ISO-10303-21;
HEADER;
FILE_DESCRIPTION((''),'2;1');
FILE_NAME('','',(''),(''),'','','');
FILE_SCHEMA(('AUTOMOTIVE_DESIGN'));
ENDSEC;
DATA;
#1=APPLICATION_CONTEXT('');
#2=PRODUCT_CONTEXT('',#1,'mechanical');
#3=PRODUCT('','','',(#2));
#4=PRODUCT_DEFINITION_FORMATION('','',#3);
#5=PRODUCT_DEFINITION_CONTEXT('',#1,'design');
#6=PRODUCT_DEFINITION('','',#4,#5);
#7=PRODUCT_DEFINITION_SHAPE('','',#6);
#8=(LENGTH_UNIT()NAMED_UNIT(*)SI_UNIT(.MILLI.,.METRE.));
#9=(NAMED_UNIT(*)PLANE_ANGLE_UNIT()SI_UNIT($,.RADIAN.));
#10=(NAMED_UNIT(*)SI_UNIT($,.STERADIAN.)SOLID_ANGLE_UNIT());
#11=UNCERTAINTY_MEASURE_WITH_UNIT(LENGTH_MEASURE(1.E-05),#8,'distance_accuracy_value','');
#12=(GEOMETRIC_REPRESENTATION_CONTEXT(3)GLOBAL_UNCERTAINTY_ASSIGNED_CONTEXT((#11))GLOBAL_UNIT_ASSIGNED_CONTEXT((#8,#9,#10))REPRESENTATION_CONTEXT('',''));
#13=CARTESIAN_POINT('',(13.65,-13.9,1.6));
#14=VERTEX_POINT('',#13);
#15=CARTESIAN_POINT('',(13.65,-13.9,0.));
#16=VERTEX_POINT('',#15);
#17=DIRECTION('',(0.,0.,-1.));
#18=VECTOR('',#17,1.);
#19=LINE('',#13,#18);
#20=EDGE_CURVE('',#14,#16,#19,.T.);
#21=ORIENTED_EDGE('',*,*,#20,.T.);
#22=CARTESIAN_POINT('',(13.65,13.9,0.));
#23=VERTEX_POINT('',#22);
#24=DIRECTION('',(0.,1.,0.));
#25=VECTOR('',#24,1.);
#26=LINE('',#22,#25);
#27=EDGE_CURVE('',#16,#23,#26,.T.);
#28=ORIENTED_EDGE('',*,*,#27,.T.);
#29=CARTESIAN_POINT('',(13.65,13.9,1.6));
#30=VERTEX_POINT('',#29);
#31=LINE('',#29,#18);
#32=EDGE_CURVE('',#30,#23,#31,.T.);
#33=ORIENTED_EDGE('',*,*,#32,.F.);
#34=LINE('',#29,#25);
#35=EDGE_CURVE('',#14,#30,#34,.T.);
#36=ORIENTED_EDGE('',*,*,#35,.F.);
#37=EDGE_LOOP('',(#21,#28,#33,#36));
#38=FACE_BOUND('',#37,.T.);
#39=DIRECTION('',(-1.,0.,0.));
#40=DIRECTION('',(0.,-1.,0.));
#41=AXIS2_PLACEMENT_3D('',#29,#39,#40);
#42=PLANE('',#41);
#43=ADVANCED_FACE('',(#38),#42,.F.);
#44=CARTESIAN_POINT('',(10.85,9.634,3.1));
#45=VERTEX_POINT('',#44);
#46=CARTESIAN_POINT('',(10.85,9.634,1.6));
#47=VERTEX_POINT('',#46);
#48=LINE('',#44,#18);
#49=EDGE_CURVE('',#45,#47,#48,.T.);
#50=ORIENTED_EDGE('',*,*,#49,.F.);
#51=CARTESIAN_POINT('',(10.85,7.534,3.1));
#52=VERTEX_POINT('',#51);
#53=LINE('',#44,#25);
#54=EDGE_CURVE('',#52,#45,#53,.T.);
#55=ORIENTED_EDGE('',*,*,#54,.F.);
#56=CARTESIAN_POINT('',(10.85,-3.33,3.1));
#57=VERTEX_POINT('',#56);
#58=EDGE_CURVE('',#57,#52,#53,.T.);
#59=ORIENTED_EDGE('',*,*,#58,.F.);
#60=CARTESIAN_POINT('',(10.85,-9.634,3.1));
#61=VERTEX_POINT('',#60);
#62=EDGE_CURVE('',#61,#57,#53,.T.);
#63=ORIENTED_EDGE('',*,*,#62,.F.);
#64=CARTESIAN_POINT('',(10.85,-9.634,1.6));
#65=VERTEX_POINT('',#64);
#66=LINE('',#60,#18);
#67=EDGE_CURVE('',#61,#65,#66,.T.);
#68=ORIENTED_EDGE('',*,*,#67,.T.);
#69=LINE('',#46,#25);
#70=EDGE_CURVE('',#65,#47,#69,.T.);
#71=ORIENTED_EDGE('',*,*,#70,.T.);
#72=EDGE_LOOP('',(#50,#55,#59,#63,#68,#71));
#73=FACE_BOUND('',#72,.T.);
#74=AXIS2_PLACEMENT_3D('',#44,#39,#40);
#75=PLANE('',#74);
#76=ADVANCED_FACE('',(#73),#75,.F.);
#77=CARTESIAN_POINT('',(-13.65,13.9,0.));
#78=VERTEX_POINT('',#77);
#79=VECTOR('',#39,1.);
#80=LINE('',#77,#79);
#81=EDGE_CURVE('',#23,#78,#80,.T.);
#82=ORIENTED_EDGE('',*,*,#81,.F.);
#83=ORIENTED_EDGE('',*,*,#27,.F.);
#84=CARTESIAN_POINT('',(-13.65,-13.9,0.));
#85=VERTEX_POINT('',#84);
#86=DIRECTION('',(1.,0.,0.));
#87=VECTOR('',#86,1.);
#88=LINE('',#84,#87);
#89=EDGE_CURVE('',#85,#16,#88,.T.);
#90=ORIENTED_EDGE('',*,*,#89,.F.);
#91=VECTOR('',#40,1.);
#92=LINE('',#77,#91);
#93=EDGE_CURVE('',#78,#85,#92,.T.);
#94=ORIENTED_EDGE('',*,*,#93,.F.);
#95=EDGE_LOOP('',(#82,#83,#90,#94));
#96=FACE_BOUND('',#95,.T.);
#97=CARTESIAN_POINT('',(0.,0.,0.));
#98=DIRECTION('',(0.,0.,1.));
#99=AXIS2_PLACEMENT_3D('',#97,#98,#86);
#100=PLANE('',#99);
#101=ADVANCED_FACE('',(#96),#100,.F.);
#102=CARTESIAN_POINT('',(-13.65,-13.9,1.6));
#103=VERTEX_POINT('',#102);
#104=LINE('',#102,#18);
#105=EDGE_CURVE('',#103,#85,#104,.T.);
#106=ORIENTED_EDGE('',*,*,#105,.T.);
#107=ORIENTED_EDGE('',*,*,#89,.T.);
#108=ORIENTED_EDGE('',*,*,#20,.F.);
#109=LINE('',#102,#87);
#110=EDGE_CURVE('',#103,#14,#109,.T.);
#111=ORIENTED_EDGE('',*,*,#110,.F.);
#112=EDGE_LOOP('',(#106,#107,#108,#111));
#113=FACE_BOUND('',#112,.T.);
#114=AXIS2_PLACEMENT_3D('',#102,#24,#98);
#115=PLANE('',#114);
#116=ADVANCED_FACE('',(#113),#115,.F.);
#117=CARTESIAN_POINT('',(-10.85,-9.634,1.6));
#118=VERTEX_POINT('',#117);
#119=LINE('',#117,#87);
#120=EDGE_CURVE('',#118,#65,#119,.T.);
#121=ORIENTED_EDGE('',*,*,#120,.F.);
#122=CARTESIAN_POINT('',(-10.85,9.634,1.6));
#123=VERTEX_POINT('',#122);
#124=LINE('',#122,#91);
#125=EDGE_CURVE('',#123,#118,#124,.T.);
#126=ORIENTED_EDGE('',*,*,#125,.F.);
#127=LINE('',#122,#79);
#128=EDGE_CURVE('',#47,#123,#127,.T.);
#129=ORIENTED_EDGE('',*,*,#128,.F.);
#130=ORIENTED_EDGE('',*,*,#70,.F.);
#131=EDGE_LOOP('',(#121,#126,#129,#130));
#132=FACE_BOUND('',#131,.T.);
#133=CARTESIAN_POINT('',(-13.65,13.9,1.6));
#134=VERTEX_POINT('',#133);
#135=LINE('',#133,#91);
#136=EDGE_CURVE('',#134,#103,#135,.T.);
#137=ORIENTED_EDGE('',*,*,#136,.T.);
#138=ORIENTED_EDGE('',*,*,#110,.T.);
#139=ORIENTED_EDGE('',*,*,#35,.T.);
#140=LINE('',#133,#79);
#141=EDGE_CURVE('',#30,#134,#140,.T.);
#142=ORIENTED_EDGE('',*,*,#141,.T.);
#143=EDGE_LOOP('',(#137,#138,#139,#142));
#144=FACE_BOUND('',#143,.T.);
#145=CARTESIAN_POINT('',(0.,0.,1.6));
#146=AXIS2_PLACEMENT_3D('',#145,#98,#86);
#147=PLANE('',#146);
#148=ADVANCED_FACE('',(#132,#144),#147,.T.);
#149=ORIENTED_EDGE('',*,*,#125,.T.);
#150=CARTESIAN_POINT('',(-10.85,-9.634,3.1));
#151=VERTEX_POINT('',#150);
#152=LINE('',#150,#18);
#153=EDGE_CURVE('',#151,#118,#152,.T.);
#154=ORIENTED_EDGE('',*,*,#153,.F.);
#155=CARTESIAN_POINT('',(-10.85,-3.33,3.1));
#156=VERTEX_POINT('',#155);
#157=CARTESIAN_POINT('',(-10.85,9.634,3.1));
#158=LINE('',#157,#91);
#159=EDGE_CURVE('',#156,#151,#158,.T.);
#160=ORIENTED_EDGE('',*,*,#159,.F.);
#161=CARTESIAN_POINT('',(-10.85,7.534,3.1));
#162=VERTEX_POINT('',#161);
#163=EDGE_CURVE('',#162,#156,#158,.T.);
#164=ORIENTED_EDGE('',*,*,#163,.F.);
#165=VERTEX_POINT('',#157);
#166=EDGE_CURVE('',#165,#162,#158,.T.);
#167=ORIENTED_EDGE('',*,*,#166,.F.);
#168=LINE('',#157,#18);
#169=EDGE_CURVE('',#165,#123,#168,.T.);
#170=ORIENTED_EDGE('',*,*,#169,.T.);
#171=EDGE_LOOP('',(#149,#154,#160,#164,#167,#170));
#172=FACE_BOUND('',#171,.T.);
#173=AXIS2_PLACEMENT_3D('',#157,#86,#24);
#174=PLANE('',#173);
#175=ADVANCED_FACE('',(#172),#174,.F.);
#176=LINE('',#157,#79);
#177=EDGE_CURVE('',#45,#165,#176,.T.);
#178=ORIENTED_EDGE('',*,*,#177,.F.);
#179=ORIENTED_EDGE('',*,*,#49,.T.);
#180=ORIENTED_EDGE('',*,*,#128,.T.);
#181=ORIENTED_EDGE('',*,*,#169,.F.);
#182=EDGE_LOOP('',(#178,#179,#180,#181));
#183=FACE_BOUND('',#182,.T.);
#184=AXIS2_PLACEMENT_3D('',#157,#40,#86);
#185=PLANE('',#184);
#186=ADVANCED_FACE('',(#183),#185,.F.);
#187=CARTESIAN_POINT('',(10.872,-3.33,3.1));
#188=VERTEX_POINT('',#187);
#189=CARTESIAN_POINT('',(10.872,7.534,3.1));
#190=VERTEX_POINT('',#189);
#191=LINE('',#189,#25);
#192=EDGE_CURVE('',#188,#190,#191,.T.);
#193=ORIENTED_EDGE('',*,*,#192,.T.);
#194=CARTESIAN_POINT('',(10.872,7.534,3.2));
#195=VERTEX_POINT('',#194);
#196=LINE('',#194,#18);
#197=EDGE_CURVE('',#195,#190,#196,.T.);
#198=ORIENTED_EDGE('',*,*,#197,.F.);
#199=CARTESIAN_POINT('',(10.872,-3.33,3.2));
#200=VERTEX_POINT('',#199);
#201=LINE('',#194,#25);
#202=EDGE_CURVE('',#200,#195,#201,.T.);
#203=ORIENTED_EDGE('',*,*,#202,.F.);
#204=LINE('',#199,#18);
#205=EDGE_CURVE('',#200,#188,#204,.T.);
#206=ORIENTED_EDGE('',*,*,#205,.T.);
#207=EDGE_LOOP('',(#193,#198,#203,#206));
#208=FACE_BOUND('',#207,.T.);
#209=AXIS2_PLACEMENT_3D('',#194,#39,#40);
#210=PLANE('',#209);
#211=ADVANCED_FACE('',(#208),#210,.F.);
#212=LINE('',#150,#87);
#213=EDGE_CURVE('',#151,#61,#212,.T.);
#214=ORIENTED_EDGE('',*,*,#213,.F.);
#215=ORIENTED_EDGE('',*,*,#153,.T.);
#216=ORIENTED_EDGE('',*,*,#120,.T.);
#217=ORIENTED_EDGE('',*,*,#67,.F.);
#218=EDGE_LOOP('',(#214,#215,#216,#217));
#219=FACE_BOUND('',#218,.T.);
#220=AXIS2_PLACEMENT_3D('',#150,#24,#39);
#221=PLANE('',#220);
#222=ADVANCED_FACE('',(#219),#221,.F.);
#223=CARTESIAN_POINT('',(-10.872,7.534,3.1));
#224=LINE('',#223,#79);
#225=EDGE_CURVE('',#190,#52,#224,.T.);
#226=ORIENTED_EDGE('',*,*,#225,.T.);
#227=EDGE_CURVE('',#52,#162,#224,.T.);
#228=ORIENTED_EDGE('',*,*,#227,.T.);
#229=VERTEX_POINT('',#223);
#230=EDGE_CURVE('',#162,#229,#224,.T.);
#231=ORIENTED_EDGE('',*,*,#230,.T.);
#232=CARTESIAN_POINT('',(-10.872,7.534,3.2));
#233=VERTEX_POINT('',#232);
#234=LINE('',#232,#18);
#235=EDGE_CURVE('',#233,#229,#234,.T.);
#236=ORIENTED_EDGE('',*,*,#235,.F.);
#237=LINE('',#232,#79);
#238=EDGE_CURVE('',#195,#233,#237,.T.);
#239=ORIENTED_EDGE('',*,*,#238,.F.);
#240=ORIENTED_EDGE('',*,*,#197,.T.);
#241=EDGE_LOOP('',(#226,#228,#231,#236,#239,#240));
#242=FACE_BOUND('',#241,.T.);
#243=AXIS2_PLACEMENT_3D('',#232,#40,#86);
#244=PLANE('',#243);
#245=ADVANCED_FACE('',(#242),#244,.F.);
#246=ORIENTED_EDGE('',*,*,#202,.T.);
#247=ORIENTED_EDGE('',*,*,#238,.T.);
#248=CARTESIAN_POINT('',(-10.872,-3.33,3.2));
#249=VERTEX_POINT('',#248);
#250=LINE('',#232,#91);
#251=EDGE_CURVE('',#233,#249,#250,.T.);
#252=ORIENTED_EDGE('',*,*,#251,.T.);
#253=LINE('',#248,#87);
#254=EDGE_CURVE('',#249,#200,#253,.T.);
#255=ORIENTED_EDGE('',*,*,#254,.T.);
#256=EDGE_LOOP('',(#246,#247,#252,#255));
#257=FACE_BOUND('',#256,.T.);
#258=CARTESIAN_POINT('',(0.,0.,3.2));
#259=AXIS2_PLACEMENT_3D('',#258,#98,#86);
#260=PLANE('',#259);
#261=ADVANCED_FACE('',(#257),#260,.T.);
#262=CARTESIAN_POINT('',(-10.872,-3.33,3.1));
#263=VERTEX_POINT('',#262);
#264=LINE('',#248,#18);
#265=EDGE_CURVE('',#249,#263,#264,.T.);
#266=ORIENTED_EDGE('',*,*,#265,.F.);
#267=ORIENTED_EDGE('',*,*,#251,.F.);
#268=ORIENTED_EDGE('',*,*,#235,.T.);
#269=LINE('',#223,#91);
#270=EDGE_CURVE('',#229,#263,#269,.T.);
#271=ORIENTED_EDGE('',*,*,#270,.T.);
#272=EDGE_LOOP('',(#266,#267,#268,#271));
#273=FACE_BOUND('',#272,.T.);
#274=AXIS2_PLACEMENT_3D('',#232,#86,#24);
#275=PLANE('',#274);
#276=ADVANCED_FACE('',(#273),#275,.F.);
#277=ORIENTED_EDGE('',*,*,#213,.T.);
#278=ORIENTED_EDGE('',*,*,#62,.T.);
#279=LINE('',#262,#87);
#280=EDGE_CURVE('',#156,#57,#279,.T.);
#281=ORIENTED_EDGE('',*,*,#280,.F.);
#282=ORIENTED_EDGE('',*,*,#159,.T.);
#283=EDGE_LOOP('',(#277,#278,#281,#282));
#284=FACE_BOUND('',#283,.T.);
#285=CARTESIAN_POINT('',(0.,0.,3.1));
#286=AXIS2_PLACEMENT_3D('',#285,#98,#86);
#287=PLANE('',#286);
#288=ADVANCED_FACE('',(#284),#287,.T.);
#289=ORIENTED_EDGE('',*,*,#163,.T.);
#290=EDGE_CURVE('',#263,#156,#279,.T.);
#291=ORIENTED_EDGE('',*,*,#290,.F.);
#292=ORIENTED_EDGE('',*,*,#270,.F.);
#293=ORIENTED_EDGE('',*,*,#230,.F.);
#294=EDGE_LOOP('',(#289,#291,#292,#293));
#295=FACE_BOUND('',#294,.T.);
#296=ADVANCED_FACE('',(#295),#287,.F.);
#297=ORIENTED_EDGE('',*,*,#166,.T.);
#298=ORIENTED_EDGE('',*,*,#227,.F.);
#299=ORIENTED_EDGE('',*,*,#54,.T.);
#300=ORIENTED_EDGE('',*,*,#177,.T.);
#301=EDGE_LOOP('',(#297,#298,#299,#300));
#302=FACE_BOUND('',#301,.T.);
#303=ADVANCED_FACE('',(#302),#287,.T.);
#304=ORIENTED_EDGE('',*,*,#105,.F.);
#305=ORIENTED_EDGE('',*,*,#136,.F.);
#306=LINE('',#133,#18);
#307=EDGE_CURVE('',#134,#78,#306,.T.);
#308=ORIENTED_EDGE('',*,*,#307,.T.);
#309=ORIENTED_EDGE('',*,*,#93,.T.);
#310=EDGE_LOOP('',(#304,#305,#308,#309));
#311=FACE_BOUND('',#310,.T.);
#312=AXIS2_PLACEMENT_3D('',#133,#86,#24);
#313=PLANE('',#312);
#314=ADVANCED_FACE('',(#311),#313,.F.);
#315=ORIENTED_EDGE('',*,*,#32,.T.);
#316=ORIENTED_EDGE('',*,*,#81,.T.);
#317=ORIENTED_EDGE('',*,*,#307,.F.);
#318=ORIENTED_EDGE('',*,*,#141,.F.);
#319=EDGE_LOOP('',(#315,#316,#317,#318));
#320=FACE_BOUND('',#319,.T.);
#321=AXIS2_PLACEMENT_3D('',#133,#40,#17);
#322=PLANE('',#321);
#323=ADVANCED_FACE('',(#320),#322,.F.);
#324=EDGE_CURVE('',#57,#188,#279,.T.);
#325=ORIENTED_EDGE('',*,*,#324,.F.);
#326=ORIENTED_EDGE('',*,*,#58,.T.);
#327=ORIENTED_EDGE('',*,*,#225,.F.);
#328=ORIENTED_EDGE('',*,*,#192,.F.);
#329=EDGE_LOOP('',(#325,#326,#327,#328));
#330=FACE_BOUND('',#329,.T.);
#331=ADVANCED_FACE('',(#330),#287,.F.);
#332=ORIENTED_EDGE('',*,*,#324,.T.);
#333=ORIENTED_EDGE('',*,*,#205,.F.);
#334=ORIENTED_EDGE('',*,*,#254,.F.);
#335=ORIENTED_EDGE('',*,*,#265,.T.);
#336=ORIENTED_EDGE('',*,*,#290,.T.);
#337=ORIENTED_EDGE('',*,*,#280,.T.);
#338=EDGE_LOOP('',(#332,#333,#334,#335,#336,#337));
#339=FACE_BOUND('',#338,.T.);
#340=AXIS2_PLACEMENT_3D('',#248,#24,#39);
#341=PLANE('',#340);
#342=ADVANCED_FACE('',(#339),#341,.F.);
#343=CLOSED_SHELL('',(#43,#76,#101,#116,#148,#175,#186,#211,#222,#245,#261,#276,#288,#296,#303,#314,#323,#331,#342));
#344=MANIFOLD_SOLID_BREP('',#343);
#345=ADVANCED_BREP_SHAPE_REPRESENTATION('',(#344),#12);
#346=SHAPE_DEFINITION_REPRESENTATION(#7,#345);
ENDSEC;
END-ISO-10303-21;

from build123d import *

# Parameters (mm, degrees)
SKETCH_1_W      = 27.3
SKETCH_1_H      = 27.8
EXTRUDE_1_DEPTH = 1.6
SKETCH_2_W      = 21.7
SKETCH_2_H      = 19.268
EXTRUDE_2_DEPTH = 1.5
SKETCH_3_W      = 21.744
SKETCH_3_H      = 10.864
EXTRUDE_3_DEPTH = 0.1


with BuildPart() as part:
    # 草图1 → 凸台-拉伸1 (new body)
    with BuildSketch(Plane.XY):
        Rectangle(SKETCH_1_W, SKETCH_1_H)
    extrude(amount=EXTRUDE_1_DEPTH)

    # 草图2 → 凸台-拉伸2 (add)
    with BuildSketch(Plane.XY.offset(1.6)):
        Rectangle(SKETCH_2_W, SKETCH_2_H)
    extrude(amount=EXTRUDE_2_DEPTH)

    # 草图3 → 凸台-拉伸3 (add)
    with BuildSketch(Plane.XY.offset(3.1)):
        with Locations((0, 2.102)):
            Rectangle(SKETCH_3_W, SKETCH_3_H)
    extrude(amount=EXTRUDE_3_DEPTH)


solid = part.part
